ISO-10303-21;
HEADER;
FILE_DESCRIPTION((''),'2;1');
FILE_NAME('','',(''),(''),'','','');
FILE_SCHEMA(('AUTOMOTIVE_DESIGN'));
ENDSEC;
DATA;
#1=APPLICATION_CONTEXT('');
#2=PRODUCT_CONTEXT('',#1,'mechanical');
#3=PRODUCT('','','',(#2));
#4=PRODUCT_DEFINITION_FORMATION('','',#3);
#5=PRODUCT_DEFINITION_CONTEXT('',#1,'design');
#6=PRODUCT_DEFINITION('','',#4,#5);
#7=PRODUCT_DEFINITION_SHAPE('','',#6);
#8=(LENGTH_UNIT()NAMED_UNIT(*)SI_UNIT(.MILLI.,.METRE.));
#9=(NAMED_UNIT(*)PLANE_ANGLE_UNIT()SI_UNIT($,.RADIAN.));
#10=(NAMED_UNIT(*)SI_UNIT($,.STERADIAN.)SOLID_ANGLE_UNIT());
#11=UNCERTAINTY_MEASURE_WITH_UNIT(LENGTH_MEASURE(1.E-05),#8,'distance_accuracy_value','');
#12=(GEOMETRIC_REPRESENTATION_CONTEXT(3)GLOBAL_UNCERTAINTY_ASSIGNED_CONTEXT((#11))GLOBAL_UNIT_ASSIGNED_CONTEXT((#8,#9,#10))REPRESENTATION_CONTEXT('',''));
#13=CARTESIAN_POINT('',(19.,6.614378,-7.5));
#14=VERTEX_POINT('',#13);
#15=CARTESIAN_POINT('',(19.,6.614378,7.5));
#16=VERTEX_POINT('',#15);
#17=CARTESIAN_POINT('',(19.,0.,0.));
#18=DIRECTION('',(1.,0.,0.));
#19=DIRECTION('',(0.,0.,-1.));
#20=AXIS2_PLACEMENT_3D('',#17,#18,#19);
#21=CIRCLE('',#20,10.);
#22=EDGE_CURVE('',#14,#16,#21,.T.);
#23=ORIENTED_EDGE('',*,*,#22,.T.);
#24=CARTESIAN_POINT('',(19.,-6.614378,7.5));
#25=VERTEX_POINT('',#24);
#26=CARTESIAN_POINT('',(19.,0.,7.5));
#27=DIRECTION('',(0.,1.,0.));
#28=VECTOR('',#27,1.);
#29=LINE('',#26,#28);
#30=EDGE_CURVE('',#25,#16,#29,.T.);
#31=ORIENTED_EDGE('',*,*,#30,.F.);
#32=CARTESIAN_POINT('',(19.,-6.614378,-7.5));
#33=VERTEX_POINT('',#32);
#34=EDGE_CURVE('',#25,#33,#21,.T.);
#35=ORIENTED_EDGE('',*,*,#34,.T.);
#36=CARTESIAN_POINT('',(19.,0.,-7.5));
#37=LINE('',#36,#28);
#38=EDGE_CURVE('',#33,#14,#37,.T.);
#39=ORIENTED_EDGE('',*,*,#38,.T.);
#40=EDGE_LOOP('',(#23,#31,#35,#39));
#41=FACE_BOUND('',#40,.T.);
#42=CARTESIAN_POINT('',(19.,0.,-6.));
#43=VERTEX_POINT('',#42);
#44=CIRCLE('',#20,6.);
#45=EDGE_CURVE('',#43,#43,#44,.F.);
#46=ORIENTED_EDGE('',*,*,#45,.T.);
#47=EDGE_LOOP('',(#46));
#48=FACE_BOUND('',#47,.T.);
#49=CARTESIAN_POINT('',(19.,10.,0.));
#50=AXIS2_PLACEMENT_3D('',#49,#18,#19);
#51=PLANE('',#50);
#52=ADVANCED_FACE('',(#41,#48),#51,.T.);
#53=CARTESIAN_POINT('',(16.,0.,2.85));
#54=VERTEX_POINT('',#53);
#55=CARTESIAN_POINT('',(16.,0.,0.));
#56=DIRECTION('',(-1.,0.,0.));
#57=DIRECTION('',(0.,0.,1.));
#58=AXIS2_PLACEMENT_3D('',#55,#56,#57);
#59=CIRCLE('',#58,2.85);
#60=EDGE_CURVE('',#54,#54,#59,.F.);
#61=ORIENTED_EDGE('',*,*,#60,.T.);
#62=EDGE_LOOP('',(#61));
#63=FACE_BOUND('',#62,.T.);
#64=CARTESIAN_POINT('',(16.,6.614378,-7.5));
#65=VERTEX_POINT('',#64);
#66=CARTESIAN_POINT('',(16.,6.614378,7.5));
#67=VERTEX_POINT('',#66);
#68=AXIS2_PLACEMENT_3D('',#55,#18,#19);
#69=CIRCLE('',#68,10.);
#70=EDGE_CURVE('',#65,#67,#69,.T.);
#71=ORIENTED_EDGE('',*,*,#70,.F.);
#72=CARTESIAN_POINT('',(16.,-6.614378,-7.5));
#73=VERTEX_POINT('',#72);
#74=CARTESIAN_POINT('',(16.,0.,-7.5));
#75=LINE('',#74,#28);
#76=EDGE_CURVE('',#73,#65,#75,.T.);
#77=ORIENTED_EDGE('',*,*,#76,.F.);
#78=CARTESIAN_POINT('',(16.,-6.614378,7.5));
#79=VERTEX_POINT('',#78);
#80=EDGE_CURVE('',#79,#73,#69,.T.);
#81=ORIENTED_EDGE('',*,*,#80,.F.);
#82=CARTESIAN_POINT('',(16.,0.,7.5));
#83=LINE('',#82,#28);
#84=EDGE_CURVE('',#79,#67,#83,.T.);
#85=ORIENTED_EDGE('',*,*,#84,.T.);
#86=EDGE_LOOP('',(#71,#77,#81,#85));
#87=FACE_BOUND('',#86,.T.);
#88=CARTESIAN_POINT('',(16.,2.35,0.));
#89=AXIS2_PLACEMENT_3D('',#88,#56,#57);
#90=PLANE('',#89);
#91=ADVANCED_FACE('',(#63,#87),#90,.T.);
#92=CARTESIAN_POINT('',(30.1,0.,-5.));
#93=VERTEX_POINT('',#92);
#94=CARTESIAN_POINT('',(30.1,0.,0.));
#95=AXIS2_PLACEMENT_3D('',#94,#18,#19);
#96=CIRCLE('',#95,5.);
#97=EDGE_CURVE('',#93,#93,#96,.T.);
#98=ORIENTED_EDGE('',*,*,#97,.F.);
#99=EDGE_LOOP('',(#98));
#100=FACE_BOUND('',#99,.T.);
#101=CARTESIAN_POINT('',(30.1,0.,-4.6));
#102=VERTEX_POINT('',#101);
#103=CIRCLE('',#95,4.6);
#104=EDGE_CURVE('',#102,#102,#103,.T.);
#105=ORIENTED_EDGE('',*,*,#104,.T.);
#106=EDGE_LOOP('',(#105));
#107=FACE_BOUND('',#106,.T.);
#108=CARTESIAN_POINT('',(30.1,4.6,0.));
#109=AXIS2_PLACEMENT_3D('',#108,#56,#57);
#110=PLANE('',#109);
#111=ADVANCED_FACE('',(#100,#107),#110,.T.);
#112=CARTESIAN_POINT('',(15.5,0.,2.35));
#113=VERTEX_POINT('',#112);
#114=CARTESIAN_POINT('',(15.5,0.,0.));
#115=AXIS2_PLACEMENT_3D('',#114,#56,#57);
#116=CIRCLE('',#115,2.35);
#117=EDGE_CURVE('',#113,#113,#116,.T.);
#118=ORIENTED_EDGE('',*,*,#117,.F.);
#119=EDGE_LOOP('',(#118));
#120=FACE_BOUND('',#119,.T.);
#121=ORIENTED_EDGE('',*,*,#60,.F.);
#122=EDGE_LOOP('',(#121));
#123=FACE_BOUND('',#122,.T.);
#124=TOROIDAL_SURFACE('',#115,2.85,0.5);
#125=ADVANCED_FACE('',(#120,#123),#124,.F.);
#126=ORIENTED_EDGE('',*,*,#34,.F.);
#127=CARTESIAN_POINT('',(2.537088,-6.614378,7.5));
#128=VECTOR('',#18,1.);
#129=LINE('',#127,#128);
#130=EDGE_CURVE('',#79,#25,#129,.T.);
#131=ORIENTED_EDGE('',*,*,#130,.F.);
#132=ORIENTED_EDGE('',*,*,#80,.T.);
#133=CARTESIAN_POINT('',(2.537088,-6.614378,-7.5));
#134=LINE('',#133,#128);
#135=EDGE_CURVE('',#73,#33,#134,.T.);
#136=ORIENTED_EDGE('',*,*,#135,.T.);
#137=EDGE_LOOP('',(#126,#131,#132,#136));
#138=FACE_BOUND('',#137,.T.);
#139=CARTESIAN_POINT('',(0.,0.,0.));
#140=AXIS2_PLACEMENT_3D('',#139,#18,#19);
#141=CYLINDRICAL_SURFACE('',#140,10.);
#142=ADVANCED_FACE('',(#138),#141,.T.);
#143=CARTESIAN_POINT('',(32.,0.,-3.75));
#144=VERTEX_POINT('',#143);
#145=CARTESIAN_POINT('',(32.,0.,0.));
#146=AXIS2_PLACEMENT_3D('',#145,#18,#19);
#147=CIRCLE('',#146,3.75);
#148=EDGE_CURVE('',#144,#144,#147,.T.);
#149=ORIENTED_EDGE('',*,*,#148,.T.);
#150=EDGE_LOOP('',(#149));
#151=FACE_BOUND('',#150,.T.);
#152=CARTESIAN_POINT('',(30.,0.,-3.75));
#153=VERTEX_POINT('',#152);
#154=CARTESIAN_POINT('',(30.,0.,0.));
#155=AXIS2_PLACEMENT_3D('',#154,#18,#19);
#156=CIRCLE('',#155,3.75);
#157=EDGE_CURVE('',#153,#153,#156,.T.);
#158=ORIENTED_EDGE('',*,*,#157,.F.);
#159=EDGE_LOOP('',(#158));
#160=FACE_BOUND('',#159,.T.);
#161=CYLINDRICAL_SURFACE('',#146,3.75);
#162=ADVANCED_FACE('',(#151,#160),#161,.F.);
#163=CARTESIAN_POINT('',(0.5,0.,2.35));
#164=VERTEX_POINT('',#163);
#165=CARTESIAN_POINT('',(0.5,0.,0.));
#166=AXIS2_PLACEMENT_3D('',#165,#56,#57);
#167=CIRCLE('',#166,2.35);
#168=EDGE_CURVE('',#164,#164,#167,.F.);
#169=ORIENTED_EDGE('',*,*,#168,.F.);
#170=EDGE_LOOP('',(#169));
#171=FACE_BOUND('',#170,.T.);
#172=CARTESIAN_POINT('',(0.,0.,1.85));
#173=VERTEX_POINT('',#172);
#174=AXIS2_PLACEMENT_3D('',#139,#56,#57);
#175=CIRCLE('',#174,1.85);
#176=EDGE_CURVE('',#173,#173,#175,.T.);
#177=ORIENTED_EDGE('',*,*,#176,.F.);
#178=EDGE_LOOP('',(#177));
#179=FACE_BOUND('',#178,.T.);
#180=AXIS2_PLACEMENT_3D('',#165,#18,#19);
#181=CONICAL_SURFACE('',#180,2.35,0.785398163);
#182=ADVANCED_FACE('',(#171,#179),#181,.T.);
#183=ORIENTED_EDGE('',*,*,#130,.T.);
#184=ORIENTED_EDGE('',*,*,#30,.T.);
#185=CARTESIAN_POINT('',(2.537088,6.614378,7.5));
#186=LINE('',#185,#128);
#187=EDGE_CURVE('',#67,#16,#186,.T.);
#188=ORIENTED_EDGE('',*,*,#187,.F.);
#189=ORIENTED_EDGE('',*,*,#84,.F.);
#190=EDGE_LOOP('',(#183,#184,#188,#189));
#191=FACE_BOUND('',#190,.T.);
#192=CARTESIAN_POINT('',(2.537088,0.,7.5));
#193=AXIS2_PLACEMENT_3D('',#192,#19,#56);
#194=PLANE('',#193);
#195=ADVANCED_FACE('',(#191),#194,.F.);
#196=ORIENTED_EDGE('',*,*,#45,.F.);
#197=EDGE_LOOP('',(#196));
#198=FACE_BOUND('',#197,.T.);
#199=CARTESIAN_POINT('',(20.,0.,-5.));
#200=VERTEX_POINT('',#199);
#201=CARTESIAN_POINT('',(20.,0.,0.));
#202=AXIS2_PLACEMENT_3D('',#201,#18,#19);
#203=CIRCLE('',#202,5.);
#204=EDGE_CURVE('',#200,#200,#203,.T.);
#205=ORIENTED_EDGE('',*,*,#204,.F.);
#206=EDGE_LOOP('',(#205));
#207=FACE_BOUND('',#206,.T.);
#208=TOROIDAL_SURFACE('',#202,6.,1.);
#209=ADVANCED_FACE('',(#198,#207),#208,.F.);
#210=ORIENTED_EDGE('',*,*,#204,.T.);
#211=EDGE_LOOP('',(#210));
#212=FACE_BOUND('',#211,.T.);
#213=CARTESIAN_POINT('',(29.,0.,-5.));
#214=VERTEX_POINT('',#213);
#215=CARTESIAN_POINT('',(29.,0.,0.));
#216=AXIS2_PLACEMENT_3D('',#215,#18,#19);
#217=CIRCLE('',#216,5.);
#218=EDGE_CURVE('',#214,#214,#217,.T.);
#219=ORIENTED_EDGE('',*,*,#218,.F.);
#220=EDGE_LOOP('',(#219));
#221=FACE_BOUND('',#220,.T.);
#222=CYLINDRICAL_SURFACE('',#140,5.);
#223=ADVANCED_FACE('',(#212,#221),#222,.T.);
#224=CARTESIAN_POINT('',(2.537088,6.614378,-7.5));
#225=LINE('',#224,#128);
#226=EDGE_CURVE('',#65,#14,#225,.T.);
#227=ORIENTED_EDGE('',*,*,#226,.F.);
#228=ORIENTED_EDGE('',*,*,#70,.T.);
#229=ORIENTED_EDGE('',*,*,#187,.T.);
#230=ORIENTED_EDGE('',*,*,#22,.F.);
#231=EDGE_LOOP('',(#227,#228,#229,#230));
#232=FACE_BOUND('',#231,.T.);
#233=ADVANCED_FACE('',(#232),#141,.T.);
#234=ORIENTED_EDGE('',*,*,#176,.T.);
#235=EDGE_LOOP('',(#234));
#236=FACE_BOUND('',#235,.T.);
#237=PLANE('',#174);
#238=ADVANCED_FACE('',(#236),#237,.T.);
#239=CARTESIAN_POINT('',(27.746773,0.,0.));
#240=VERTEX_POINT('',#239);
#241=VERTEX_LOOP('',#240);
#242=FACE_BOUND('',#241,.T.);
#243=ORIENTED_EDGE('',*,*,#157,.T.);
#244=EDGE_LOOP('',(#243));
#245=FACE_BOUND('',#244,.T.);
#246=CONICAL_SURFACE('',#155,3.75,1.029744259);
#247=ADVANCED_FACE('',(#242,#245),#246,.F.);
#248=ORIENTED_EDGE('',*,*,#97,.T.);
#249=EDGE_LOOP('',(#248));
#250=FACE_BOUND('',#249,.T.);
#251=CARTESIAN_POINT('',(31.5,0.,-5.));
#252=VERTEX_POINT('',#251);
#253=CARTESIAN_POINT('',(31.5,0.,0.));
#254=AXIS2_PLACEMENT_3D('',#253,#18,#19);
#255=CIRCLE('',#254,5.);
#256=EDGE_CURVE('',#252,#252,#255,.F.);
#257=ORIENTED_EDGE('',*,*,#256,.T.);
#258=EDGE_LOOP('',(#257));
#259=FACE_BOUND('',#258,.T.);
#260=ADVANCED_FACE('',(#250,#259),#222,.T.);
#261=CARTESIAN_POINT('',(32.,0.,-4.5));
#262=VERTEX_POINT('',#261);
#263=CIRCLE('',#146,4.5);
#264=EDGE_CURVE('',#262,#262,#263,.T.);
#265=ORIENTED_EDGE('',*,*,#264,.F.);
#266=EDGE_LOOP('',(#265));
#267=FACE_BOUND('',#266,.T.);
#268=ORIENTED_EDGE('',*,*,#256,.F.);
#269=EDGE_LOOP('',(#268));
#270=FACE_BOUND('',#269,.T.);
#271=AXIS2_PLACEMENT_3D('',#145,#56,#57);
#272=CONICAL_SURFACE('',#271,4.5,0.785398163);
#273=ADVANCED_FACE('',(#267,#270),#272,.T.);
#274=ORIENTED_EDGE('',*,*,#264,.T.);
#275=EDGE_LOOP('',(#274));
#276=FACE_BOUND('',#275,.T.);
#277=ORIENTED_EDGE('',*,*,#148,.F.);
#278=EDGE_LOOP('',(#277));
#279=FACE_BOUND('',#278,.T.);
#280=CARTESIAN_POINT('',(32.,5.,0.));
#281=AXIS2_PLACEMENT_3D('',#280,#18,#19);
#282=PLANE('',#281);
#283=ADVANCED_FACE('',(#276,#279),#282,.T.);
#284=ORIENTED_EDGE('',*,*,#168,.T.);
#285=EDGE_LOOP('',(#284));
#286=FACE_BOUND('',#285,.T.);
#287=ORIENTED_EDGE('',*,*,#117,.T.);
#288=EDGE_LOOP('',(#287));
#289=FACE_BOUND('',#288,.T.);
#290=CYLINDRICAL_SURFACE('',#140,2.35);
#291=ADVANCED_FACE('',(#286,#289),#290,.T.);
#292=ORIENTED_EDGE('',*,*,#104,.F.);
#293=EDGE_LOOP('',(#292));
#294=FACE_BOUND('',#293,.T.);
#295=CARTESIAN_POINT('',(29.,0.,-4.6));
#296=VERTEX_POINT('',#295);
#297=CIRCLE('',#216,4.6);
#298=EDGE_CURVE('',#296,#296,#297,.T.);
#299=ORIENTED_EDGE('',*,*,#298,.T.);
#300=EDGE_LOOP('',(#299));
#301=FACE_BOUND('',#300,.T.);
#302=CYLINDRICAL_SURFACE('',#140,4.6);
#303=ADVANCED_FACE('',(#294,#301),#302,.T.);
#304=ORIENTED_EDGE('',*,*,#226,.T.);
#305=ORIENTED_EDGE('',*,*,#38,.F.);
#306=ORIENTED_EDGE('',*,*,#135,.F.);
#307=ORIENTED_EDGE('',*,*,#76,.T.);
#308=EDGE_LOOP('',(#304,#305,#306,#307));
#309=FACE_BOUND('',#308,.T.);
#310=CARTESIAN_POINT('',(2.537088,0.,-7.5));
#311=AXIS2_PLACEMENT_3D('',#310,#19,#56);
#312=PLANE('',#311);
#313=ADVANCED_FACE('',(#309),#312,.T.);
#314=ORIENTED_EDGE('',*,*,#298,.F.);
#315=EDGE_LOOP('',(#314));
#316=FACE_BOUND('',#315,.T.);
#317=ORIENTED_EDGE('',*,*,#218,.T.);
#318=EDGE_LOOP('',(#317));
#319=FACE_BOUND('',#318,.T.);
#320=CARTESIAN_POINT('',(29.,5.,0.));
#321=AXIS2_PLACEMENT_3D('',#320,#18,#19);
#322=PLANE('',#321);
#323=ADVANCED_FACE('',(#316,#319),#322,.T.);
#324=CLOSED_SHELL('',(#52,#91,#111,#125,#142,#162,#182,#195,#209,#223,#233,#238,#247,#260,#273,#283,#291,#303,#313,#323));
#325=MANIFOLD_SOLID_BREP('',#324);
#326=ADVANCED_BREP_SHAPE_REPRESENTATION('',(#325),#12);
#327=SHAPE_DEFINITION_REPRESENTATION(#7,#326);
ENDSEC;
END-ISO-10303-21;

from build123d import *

# Parameters (mm, degrees)
SFAZOWANIE1_SIZE               = 0.5
ZAOKR_GLENIE1_R                = 0.5
OTWORY_USTALAJ_CE_8_0MM1_D     = 7.5
OTWORY_USTALAJ_CE_8_0MM1_DEPTH = 2
OTWORY_USTALAJ_CE_8_0MM1_TIP   = 2.253227321
ZAOKR_GLENIE2_R                = 1
SFAZOWANIE2_SIZE               = 0.5
WYTNIJ_WYCI_GNI_CIE1_DEPTH     = 3


with BuildPart() as part:
    # Szkic1 → Obrót1 (revolve)
    with BuildSketch(Plane.XY, mode=Mode.PRIVATE) as obr_t1_sk:
        Polygon((0, 0), (0, 2.35), (16, 2.35), (16, 10), (19, 10), (19, 5), (29, 5), (29, 4.6), (30.1, 4.6), (30.1, 5), (32, 5), (32, 0), align=None)
    revolve(obr_t1_sk.sketch.rotate(Axis((0, 0, 0), (-1, 0, 0)), 90), axis=Axis((0, 0, 0), (-1, 0, 0)))

    # Sfazowanie1
    sfazowanie1_edges = [part.edges().sort_by_distance(p)[0] for p in [
        (0, 0, 2.35),
    ]]
    chamfer(sfazowanie1_edges, length=SFAZOWANIE1_SIZE)

    # Zaokrąglenie1
    zaokr_glenie1_edges = [part.edges().sort_by_distance(p)[0] for p in [
        (16, 0, 2.35),
    ]]
    fillet(zaokr_glenie1_edges, radius=ZAOKR_GLENIE1_R)

    # Otwory ustalające Ø8.0mm1
    with Locations(Plane(origin=(32, 0, 0), x_dir=(0, 0, -1), z_dir=(1, 0, 0))):
        with Locations((0, 0)):
            Hole(OTWORY_USTALAJ_CE_8_0MM1_D / 2, depth=OTWORY_USTALAJ_CE_8_0MM1_DEPTH)
            with Locations((0, 0, -(OTWORY_USTALAJ_CE_8_0MM1_DEPTH + OTWORY_USTALAJ_CE_8_0MM1_TIP / 2))):  # 118° drill point
                Cone(0, OTWORY_USTALAJ_CE_8_0MM1_D / 2, OTWORY_USTALAJ_CE_8_0MM1_TIP, mode=Mode.SUBTRACT)

    # Zaokrąglenie2
    zaokr_glenie2_edges = [part.edges().sort_by_distance(p)[0] for p in [
        (19, 0, 5),
    ]]
    fillet(zaokr_glenie2_edges, radius=ZAOKR_GLENIE2_R)

    # Sfazowanie2
    sfazowanie2_edges = [part.edges().sort_by_distance(p)[0] for p in [
        (32, 0, 5),
    ]]
    chamfer(sfazowanie2_edges, length=SFAZOWANIE2_SIZE)

    # Szkic5 → Wytnij-wyciągnięcie1 (cut)
    with BuildSketch(Plane(origin=(19, 0, 0), x_dir=(0, 0, -1), z_dir=(1, 0, 0))):
        with BuildLine():
            Line((7.5, 6.614378278), (7.5, -6.614378278))
            ThreePointArc((7.5, -6.614378278), (9.354143467, -3.535533906), (10, 0))
            ThreePointArc((10, 0), (9.354143467, 3.535533906), (7.5, 6.614378278))
        make_face()
        with BuildLine():
            ThreePointArc((-7.5, 6.614378278), (-10, 0), (-7.5, -6.614378278))
            Line((-7.5, -6.614378278), (-7.5, 6.614378278))
        make_face()
    extrude(amount=-WYTNIJ_WYCI_GNI_CIE1_DEPTH, mode=Mode.SUBTRACT)


solid = part.part
